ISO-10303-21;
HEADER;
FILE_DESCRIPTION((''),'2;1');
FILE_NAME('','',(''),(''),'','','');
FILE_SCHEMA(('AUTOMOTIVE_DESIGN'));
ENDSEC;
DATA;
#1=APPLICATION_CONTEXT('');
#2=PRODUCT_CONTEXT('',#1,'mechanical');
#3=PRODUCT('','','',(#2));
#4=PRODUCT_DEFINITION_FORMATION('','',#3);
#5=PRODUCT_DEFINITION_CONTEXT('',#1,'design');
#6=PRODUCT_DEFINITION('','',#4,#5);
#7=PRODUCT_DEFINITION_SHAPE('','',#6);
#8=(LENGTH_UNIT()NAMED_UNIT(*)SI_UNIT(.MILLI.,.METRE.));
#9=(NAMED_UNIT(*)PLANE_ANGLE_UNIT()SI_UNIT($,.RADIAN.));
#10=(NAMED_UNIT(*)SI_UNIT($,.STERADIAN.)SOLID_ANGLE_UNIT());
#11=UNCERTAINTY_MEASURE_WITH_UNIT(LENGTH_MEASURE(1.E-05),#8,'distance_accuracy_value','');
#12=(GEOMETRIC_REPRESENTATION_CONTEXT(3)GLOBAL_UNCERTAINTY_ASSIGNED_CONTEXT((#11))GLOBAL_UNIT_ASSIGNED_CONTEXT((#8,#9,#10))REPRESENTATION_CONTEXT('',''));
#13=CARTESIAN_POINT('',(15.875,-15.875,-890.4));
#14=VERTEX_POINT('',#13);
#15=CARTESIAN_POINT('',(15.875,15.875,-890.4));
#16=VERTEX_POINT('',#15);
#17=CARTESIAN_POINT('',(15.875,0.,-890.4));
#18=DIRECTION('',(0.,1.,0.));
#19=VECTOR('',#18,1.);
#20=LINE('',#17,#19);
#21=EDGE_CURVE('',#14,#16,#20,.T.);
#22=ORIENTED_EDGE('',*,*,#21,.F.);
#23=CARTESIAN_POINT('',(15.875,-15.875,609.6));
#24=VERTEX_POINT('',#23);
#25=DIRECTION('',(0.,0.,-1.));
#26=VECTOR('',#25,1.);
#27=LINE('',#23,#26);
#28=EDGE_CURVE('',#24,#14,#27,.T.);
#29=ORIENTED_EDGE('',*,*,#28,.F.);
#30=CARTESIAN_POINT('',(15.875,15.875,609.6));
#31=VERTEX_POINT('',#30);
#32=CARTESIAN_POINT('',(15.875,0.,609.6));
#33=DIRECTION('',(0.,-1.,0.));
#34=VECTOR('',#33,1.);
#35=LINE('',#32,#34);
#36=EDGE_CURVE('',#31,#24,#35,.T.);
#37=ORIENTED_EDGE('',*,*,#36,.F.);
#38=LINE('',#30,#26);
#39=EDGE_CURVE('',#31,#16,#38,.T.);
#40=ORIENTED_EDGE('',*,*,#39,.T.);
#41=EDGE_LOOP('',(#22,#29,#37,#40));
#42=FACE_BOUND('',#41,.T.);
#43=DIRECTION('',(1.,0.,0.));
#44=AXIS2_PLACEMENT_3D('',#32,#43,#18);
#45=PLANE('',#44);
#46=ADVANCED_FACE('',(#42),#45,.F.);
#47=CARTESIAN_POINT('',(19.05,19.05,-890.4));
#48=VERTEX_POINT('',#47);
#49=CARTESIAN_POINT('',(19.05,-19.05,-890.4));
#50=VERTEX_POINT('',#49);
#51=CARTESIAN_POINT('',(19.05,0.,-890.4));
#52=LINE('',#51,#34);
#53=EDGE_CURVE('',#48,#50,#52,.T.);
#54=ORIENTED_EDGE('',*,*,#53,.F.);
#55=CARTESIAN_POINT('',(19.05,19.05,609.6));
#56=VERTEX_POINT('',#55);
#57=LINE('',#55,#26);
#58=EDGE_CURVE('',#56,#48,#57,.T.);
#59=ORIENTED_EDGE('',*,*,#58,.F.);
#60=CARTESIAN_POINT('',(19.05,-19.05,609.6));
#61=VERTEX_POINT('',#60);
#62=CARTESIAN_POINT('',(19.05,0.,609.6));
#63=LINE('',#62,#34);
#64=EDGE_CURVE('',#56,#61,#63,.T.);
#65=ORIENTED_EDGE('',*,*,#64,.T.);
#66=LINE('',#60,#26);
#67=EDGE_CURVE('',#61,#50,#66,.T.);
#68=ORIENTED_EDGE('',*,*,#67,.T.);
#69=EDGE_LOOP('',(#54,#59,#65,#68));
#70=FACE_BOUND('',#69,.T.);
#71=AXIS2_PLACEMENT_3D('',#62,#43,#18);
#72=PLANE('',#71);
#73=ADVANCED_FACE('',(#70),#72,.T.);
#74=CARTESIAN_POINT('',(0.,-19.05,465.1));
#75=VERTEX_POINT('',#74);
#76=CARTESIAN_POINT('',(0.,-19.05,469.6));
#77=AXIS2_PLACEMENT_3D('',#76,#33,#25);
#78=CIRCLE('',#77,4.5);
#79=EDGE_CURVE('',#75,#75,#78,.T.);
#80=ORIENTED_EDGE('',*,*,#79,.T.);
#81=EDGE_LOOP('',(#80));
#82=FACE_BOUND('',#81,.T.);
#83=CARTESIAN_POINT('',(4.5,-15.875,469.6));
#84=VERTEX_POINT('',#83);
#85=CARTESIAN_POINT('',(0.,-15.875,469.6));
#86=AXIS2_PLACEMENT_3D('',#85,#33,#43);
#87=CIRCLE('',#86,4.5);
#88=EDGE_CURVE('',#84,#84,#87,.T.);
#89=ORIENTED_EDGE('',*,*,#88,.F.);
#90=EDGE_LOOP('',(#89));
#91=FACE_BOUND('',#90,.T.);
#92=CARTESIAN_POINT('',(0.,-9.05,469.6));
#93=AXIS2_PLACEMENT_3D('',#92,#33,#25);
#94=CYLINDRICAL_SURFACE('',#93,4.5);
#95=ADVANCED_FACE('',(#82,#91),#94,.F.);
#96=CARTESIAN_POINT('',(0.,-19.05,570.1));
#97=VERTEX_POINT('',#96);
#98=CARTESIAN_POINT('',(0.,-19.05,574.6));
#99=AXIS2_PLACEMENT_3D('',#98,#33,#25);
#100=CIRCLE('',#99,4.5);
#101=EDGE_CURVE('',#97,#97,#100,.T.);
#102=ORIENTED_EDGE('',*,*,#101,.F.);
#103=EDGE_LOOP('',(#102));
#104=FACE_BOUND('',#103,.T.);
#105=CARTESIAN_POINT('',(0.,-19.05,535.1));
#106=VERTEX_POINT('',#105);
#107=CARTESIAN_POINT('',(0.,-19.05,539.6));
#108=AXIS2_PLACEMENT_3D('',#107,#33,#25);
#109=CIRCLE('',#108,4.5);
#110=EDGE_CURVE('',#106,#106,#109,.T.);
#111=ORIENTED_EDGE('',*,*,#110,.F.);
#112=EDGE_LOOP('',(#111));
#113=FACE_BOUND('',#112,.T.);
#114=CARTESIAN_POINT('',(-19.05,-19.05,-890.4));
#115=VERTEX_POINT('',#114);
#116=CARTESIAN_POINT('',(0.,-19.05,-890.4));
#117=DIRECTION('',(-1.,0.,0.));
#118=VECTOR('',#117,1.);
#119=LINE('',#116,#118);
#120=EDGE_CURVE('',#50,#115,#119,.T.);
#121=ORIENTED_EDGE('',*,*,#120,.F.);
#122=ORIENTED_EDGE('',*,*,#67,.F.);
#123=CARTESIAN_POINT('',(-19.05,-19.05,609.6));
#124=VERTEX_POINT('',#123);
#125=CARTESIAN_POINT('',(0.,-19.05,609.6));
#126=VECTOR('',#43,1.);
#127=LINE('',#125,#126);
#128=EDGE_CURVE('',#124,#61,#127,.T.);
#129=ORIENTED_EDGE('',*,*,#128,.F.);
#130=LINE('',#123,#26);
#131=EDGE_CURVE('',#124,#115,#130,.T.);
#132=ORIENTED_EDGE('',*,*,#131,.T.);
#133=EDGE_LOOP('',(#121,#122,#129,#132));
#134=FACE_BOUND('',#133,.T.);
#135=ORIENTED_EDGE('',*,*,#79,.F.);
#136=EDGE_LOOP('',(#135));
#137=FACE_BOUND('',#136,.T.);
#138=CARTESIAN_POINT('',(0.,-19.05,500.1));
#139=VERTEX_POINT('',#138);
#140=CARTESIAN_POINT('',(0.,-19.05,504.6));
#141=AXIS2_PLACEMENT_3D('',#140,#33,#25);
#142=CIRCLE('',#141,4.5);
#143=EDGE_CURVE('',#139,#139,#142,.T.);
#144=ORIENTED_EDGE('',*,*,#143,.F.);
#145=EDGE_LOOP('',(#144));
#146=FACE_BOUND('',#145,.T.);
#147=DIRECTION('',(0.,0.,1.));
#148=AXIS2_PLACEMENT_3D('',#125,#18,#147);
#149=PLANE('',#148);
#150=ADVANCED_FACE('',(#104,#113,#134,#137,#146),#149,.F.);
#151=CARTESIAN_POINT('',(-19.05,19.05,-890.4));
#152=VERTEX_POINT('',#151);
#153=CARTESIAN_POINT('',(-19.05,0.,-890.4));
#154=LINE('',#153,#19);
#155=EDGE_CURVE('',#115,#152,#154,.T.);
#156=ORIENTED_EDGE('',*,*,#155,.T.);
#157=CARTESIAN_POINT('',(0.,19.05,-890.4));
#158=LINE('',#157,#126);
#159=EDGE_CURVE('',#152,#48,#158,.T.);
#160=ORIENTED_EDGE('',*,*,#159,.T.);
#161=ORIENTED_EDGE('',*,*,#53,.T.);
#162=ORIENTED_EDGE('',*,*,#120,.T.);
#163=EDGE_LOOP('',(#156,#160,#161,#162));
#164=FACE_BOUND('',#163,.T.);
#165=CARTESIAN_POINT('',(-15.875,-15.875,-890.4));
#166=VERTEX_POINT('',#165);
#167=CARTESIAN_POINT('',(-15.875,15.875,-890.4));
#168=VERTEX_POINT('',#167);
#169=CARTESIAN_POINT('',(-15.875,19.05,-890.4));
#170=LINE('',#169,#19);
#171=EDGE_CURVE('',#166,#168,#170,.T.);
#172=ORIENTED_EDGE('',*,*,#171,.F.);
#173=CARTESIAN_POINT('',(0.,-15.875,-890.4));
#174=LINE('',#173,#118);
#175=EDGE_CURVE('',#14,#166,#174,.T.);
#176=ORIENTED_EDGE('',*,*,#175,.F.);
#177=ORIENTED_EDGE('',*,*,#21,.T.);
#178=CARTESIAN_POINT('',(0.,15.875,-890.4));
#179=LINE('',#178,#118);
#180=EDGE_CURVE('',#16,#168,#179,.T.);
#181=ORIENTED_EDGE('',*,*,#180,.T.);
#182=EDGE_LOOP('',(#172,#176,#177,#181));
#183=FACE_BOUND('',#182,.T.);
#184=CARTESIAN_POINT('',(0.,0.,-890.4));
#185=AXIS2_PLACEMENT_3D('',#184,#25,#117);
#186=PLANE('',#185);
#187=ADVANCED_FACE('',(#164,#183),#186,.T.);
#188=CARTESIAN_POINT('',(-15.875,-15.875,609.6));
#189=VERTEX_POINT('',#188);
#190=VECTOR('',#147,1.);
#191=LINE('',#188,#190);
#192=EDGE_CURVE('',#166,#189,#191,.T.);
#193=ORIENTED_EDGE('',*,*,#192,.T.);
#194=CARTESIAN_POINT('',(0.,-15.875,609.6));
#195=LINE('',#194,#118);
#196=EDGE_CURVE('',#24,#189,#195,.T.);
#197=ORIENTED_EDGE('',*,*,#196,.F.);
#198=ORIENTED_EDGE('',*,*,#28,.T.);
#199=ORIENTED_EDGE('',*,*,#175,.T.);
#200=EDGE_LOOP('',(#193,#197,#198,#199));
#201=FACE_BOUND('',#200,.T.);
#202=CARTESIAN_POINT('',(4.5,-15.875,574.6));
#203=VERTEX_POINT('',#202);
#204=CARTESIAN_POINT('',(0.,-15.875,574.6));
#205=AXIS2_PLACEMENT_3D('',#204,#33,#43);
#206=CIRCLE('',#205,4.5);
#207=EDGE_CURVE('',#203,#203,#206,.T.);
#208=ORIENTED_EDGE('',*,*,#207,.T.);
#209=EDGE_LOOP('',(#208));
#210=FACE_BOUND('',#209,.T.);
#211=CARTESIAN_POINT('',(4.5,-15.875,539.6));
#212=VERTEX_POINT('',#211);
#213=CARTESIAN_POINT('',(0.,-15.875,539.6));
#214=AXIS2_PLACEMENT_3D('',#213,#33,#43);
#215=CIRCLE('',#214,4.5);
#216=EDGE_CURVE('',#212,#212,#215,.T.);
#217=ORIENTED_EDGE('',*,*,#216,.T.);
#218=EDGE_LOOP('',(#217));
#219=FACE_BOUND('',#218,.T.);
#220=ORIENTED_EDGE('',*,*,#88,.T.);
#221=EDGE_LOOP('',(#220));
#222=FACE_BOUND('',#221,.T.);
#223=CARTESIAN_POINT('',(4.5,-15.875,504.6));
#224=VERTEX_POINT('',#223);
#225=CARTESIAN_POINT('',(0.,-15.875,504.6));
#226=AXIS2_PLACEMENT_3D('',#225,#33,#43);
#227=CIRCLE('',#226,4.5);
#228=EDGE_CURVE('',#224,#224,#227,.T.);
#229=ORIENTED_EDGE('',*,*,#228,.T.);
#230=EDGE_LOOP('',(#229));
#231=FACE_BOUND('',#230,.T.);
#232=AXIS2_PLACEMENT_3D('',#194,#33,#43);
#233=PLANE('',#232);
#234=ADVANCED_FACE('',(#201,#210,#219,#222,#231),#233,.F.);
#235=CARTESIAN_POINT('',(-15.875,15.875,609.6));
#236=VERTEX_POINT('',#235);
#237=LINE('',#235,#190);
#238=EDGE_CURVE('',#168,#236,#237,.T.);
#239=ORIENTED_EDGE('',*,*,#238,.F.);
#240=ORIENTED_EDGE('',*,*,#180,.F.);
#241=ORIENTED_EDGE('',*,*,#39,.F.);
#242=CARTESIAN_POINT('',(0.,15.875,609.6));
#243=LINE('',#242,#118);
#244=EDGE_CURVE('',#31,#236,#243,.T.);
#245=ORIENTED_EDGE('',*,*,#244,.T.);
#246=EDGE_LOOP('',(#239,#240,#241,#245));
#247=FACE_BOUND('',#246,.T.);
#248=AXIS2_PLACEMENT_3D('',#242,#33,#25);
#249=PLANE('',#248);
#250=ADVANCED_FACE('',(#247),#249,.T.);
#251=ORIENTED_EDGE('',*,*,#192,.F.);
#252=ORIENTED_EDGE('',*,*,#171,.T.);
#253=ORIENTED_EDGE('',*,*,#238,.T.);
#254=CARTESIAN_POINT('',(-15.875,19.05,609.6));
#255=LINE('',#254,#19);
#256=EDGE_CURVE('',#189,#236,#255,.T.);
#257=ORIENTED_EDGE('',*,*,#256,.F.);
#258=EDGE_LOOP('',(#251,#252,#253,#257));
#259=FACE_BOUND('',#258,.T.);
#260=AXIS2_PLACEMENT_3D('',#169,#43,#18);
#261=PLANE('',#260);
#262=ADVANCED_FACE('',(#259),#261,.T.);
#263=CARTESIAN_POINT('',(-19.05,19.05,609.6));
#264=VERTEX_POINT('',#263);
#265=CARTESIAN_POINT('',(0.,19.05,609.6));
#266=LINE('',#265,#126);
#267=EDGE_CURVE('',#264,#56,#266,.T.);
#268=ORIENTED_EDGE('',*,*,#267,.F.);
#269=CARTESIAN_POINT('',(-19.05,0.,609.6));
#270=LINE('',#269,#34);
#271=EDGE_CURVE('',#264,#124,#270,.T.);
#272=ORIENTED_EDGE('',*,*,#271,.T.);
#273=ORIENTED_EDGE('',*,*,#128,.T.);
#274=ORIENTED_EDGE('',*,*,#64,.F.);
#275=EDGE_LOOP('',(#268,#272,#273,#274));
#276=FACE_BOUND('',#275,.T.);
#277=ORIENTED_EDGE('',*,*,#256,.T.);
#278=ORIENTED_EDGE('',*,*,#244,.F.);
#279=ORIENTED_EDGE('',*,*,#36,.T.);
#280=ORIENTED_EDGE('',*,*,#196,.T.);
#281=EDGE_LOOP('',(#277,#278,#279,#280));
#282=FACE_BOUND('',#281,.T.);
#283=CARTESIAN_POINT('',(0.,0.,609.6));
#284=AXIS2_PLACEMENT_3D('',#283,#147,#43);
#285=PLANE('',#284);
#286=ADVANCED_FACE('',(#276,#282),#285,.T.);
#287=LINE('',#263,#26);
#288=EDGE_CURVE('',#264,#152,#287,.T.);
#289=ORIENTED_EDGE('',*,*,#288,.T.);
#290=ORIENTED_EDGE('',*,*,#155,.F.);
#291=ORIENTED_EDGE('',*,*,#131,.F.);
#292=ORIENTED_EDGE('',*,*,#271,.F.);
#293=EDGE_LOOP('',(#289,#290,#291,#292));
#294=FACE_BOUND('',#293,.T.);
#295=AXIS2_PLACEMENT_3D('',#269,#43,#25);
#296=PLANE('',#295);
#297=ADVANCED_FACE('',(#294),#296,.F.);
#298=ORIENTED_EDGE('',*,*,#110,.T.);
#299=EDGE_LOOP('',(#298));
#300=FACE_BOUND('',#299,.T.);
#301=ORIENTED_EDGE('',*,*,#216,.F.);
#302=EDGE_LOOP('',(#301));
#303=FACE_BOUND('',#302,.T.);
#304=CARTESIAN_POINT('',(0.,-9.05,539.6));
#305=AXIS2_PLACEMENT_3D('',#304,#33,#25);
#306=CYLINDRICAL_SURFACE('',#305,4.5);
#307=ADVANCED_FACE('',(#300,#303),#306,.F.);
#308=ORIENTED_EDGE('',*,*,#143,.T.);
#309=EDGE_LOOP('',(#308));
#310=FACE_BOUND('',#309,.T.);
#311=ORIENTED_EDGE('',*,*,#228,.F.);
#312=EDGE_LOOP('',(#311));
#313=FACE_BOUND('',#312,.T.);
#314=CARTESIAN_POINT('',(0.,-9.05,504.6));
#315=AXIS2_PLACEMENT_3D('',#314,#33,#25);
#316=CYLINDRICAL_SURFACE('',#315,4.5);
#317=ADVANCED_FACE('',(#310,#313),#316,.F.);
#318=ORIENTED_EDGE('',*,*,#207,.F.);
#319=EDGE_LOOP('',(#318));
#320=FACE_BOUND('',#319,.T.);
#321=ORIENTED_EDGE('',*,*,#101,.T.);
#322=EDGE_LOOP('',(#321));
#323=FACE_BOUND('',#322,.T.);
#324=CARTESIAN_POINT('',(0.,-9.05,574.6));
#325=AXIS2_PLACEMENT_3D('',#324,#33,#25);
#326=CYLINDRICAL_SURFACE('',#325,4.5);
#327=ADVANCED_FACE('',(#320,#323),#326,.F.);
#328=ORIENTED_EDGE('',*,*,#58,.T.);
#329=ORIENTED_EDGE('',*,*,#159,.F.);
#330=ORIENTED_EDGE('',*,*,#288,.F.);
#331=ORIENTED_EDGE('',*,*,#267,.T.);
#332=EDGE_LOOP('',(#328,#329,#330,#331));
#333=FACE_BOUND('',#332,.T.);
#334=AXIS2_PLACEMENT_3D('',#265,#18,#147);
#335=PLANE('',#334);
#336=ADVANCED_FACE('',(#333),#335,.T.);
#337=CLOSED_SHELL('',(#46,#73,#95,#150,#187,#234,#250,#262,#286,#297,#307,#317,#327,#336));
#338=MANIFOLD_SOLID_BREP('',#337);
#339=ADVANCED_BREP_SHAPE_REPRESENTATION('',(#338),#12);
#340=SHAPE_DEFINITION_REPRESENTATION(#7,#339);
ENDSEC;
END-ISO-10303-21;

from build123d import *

# Parameters (mm, degrees)
BOSS_EXTRUDE1_DEPTH = 609.6
SKETCH3_R           = 4.5
CUT_EXTRUDE1_DEPTH  = 10
SKETCH6_W           = 34.925
SKETCH6_H           = 3.175
BOSS_EXTRUDE2_DEPTH = 890.4
SKETCH7_W           = 3.175
SKETCH7_H           = 38.1
BOSS_EXTRUDE3_DEPTH = 1500


with BuildPart() as part:
    # Sketch2 → Boss-Extrude1 (new body)
    with BuildSketch(Plane.XY):
        Polygon((-15.875, -15.875), (-19.05, -15.875), (-19.05, -19.05), (19.05, -19.05), (19.05, 19.05), (-19.05, 19.05), (-19.05, 15.875), (-15.875, 15.875), (15.875, 15.875), (15.875, -15.875), align=None)
    extrude(amount=BOSS_EXTRUDE1_DEPTH)

    # Sketch3 → Cut-Extrude1 (cut)
    with BuildSketch(Plane.XZ.offset(19.05)):
        with Locations(Location((0, 574.6, 0), (0, 0, 270))):
            Circle(SKETCH3_R)
        with Locations(Location((0, 539.6, 0), (0, 0, 270))):
            Circle(SKETCH3_R)
        with Locations(Location((0, 469.6, 0), (0, 0, 270))):
            Circle(SKETCH3_R)
        with Locations(Location((0, 504.6, 0), (0, 0, 270))):
            Circle(SKETCH3_R)
    extrude(amount=-CUT_EXTRUDE1_DEPTH, mode=Mode.SUBTRACT)

    # Sketch6 → Boss-Extrude2 (add)
    with BuildSketch(Plane(origin=(0, 0, 0), x_dir=(-1, 0, 0), z_dir=(0, 0, -1))):
        Polygon((19.05, -15.875), (-15.875, -15.875), (-19.05, -15.875), (-19.05, -19.05), (19.05, -19.05), align=None)
        Polygon((-15.875, 15.875), (-15.875, 19.05), (-19.05, 19.05), (-19.05, -15.875), (-15.875, -15.875), align=None)
        with Locations((1.5875, 17.4625)):
            Rectangle(SKETCH6_W, SKETCH6_H)
    extrude(amount=BOSS_EXTRUDE2_DEPTH)

    # Sketch7 → Boss-Extrude3 (add)
    with BuildSketch(Plane.XY.offset(609.6)):
        with Locations((-17.4625, 0)):
            Rectangle(SKETCH7_W, SKETCH7_H)
    extrude(amount=-BOSS_EXTRUDE3_DEPTH)


solid = part.part
